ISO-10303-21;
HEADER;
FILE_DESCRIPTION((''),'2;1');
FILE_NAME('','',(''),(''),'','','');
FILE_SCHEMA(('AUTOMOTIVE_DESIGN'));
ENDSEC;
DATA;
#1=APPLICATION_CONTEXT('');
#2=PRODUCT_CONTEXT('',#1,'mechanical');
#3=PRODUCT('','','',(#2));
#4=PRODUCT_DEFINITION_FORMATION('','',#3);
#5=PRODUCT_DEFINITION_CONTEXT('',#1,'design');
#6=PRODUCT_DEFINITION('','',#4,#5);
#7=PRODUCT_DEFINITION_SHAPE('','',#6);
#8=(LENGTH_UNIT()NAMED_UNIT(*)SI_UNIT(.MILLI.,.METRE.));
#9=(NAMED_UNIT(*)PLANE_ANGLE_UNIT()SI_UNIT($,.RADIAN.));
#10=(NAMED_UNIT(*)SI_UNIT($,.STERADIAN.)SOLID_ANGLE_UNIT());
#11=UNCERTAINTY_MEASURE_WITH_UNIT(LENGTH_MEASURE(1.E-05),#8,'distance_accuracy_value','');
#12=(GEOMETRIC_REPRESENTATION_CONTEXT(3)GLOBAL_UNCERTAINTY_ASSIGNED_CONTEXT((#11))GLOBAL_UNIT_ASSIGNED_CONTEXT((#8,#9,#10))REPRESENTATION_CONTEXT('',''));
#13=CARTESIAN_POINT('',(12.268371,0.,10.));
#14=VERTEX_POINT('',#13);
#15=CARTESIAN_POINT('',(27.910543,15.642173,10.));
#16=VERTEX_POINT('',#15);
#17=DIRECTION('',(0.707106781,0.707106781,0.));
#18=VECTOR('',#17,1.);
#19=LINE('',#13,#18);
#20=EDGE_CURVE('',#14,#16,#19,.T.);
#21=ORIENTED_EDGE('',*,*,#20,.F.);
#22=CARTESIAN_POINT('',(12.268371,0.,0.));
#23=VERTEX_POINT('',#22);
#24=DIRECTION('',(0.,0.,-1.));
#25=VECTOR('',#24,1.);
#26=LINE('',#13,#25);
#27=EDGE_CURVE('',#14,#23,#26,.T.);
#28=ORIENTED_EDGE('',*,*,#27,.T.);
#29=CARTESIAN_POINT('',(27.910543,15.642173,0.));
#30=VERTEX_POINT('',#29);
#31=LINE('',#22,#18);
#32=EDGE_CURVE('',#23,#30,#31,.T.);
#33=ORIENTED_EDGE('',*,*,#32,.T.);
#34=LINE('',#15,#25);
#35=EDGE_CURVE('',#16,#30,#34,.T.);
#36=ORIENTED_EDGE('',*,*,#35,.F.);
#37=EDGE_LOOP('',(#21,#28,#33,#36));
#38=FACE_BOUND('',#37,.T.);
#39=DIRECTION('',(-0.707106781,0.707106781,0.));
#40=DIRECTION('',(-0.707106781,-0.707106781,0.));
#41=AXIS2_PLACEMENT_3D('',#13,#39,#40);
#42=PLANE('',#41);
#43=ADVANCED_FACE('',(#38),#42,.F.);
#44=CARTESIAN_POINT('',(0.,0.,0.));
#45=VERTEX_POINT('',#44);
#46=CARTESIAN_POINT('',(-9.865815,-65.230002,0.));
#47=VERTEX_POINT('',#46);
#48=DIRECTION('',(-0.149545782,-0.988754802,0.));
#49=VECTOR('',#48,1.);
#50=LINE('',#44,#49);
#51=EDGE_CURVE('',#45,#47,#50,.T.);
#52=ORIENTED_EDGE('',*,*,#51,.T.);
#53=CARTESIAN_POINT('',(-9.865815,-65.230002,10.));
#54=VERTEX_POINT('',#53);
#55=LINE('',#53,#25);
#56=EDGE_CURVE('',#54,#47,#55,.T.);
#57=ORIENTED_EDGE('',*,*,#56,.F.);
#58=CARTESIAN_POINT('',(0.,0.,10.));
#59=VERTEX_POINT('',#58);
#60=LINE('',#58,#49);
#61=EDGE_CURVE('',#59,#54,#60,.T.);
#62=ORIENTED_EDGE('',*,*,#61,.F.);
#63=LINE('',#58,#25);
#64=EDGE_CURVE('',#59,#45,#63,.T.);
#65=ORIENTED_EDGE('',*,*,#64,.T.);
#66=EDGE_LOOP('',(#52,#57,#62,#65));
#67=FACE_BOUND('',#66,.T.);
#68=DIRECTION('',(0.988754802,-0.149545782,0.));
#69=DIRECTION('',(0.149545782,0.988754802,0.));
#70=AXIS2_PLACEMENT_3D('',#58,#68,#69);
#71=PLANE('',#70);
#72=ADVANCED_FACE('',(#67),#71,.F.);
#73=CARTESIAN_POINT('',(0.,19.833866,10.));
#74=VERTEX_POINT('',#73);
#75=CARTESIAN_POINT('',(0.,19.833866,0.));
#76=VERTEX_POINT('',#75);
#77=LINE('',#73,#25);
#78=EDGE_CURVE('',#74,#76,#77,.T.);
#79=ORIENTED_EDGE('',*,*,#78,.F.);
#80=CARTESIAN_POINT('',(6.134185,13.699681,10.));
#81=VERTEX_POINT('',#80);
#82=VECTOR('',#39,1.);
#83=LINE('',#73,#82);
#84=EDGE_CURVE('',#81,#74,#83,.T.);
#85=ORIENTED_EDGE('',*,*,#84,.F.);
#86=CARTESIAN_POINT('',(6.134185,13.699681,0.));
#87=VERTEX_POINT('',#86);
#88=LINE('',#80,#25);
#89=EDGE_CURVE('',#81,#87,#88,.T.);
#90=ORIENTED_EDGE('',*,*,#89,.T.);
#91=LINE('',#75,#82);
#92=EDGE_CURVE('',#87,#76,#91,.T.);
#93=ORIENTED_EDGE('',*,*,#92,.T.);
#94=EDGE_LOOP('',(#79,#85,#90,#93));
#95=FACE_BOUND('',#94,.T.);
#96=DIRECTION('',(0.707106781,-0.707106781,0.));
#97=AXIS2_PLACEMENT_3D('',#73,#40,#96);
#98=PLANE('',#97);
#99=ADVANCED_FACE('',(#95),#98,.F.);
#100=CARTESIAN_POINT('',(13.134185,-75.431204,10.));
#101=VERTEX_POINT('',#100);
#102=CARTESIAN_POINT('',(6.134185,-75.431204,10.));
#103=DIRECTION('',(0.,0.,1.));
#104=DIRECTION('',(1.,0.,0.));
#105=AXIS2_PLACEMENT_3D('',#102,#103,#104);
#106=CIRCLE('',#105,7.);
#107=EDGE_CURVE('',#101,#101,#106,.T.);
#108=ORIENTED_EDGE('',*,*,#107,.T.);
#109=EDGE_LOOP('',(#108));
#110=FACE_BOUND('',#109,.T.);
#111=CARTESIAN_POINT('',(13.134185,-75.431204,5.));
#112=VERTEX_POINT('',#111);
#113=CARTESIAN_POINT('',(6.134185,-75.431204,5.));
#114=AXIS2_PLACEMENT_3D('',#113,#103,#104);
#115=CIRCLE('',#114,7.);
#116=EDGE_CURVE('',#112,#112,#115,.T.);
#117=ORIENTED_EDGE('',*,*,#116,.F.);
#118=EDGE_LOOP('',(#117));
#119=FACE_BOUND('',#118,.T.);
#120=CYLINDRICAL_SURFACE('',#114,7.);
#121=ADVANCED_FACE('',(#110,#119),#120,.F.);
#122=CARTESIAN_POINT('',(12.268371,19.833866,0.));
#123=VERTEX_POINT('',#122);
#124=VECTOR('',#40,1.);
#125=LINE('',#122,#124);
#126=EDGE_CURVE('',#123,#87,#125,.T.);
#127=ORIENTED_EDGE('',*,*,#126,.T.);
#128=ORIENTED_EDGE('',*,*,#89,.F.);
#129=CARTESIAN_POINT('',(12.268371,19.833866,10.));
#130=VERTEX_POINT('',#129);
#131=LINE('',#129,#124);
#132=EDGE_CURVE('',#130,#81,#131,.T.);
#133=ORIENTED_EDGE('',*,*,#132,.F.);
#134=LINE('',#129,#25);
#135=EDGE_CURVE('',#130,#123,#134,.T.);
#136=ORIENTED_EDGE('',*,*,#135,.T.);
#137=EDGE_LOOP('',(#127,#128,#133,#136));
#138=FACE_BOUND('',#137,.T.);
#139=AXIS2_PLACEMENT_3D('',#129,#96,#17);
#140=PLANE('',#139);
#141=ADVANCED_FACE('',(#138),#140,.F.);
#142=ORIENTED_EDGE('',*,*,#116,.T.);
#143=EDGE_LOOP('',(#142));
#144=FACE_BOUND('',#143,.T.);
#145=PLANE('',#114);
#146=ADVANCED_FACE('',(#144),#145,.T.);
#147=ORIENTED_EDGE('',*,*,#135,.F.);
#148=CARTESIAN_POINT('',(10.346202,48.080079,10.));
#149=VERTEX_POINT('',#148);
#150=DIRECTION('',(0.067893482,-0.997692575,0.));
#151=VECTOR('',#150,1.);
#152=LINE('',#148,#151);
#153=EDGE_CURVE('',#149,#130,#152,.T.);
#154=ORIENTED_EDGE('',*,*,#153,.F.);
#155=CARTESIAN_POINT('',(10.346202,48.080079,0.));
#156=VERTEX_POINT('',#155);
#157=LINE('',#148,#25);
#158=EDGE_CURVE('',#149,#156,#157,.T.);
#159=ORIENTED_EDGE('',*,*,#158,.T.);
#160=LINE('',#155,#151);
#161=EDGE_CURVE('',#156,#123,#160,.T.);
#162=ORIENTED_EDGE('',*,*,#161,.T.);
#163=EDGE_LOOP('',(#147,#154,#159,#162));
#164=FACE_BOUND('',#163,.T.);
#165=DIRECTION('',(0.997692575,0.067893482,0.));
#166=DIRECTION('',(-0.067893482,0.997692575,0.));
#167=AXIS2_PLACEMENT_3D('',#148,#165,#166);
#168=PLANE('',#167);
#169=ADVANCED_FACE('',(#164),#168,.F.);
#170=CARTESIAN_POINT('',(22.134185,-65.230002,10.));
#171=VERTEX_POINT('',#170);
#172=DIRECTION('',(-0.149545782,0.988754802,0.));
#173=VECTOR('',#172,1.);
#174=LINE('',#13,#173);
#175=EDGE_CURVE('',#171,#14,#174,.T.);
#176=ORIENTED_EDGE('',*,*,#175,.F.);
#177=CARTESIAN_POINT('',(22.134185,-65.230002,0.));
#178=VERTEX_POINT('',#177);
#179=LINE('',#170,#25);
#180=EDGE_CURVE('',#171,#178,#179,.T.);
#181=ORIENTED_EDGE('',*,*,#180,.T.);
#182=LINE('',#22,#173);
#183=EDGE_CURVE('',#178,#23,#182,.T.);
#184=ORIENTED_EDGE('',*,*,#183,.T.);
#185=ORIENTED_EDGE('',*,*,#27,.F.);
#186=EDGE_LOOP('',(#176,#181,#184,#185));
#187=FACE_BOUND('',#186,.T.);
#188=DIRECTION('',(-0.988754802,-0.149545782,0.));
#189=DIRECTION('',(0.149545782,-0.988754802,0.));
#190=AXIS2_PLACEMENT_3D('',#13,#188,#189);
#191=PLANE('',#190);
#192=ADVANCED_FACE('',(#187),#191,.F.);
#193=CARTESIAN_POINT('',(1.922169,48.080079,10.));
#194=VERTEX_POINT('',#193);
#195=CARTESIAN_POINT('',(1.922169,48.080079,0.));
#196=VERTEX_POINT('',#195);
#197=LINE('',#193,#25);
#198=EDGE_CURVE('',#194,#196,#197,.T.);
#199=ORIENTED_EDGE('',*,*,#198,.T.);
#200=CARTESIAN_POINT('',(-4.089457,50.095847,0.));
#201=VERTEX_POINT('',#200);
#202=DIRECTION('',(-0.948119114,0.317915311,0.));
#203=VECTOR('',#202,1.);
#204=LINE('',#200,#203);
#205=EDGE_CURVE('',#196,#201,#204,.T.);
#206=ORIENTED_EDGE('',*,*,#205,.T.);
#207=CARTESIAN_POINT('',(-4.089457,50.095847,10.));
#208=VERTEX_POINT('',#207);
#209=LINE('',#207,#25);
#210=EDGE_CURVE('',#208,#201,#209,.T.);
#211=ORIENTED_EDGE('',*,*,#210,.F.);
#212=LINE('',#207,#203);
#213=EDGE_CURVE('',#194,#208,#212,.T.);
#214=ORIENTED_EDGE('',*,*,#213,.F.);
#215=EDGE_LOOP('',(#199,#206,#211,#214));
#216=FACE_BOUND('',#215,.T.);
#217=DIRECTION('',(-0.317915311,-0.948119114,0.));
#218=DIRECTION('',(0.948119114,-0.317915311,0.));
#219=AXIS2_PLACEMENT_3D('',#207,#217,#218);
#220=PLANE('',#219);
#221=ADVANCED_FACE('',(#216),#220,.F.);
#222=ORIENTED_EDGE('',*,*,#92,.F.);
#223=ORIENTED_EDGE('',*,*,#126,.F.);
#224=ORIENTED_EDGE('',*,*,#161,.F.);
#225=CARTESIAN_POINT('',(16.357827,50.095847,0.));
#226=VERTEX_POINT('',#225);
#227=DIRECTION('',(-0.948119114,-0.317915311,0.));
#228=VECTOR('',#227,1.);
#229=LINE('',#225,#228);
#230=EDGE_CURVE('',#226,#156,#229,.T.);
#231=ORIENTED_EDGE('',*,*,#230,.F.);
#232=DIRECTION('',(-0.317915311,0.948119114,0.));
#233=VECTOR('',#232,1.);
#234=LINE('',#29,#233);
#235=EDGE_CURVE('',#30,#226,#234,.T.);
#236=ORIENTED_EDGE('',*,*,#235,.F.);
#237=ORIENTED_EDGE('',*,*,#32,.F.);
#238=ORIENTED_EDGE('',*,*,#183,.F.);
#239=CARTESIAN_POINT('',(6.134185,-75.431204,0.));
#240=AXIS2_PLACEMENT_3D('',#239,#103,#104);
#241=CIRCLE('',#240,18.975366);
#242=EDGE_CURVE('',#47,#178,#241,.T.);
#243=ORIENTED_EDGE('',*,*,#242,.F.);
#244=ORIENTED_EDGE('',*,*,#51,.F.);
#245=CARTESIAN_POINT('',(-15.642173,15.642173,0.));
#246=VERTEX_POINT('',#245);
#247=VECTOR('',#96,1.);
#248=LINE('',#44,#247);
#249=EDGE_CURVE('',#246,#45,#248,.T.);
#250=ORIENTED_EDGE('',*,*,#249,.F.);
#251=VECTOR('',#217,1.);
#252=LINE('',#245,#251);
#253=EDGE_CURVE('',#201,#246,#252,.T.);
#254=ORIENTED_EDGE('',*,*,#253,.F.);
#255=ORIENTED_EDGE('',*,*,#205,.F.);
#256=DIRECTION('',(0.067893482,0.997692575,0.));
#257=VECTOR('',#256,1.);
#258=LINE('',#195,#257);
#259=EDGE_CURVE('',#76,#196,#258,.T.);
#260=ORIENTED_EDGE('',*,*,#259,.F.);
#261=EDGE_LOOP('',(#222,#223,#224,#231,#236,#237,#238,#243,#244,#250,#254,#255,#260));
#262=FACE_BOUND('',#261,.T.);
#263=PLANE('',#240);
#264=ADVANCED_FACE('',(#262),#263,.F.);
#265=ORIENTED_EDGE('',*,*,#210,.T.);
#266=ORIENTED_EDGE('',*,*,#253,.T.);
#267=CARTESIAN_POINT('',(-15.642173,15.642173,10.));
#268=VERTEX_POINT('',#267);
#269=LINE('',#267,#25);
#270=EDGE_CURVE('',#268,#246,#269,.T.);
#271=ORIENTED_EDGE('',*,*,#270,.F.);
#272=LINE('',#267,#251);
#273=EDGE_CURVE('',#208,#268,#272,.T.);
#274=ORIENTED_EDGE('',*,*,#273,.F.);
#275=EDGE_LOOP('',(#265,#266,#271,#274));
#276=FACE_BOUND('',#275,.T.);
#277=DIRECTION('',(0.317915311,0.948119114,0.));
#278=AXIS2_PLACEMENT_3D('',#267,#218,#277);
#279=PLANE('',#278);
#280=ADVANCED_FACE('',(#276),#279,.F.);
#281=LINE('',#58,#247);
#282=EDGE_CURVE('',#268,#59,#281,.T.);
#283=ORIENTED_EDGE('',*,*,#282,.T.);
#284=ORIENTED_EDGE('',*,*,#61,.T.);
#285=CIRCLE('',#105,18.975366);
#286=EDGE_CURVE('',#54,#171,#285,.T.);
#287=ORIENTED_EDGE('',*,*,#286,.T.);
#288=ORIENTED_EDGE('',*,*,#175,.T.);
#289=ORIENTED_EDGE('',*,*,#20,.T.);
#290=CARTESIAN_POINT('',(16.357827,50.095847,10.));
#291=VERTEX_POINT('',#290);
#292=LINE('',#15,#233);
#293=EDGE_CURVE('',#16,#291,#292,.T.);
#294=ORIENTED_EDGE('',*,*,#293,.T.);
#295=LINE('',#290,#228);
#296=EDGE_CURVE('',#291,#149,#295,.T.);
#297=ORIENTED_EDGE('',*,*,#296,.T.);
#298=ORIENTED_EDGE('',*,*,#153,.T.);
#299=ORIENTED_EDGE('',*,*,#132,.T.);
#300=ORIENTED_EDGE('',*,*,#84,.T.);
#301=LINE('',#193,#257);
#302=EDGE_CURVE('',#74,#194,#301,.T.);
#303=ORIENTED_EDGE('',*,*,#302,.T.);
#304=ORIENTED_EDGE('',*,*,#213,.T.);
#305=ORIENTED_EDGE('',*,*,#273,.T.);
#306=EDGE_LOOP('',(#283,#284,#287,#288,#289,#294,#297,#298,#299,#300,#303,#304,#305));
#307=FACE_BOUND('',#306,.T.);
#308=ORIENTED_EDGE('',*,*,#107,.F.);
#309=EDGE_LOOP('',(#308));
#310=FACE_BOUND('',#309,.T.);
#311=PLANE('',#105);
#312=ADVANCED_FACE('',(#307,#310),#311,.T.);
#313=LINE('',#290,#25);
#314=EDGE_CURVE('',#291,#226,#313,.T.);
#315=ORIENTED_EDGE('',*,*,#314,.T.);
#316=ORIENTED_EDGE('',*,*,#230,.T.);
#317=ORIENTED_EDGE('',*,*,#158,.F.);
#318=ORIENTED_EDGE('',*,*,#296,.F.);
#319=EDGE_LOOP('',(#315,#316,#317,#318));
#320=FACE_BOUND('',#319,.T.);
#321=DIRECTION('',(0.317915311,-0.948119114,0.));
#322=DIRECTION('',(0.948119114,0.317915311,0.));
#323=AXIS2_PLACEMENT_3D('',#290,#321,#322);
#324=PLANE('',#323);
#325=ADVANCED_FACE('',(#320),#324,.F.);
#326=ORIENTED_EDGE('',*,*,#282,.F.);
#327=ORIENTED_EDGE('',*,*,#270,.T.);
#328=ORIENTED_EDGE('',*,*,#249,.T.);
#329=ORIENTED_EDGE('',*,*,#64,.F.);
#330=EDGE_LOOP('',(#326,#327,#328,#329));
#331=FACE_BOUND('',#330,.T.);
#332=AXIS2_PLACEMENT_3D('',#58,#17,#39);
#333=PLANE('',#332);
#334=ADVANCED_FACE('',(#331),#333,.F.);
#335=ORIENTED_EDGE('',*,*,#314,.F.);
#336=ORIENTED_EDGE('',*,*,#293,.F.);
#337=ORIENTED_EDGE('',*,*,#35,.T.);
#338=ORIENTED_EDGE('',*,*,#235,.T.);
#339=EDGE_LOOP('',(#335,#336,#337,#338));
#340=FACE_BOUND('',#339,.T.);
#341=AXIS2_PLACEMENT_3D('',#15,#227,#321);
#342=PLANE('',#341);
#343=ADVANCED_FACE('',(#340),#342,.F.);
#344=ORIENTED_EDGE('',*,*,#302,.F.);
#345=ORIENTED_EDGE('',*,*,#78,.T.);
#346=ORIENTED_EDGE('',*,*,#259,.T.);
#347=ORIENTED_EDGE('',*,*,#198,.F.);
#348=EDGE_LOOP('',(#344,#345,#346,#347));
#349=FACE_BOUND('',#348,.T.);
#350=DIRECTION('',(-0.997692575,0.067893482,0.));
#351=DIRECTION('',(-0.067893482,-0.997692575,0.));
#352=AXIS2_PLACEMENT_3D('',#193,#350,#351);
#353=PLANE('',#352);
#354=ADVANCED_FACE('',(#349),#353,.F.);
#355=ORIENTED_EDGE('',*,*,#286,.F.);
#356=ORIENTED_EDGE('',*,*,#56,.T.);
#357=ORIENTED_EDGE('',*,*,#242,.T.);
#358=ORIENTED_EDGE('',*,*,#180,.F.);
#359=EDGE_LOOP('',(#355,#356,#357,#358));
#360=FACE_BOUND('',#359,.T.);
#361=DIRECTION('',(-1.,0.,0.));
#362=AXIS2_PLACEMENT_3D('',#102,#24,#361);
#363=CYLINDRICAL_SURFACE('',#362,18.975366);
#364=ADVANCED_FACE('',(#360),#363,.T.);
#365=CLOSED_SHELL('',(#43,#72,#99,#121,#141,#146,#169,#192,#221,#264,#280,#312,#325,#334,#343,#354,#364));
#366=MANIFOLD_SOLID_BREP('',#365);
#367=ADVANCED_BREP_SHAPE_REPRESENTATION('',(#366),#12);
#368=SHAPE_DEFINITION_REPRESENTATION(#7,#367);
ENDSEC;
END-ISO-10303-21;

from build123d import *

# Parameters (mm, degrees)
BOSS_EXTRUDE1_DEPTH = 10
SKETCH2_R           = 7
CUT_EXTRUDE1_DEPTH  = 5


with BuildPart() as part:
    # Sketch1 → Boss-Extrude1 (new body)
    with BuildSketch(Plane.XY):
        with BuildLine():
            Line((0, 0), (-15.642172524, 15.642172524))
            Line((-15.642172524, 15.642172524), (-4.089456869, 50.095846645))
            Line((-4.089456869, 50.095846645), (1.922169026, 48.080078912))
            Line((1.922169026, 48.080078912), (0, 19.833865815))
            Line((0, 19.833865815), (6.134185304, 13.699680511))
            Line((6.134185304, 13.699680511), (12.268370607, 19.833865815))
            Line((12.268370607, 19.833865815), (10.346201581, 48.080078912))
            Line((10.346201581, 48.080078912), (16.357827476, 50.095846645))
            Line((16.357827476, 50.095846645), (27.910543131, 15.642172524))
            Line((27.910543131, 15.642172524), (12.268370607, 0))
            Line((12.268370607, 0), (22.134185304, -65.230001967))
            ThreePointArc((22.134185304, -65.230001967), (6.134185304, -94.406570423), (-9.865814696, -65.230001967))
            Line((-9.865814696, -65.230001967), (0, 0))
        make_face()
    extrude(amount=BOSS_EXTRUDE1_DEPTH)

    # Sketch2 → Cut-Extrude1 (cut)
    with BuildSketch(Plane.XY.offset(10)):
        with Locations((6.134185304, -75.431204137)):
            Circle(SKETCH2_R)
    extrude(amount=-CUT_EXTRUDE1_DEPTH, mode=Mode.SUBTRACT)


solid = part.part
